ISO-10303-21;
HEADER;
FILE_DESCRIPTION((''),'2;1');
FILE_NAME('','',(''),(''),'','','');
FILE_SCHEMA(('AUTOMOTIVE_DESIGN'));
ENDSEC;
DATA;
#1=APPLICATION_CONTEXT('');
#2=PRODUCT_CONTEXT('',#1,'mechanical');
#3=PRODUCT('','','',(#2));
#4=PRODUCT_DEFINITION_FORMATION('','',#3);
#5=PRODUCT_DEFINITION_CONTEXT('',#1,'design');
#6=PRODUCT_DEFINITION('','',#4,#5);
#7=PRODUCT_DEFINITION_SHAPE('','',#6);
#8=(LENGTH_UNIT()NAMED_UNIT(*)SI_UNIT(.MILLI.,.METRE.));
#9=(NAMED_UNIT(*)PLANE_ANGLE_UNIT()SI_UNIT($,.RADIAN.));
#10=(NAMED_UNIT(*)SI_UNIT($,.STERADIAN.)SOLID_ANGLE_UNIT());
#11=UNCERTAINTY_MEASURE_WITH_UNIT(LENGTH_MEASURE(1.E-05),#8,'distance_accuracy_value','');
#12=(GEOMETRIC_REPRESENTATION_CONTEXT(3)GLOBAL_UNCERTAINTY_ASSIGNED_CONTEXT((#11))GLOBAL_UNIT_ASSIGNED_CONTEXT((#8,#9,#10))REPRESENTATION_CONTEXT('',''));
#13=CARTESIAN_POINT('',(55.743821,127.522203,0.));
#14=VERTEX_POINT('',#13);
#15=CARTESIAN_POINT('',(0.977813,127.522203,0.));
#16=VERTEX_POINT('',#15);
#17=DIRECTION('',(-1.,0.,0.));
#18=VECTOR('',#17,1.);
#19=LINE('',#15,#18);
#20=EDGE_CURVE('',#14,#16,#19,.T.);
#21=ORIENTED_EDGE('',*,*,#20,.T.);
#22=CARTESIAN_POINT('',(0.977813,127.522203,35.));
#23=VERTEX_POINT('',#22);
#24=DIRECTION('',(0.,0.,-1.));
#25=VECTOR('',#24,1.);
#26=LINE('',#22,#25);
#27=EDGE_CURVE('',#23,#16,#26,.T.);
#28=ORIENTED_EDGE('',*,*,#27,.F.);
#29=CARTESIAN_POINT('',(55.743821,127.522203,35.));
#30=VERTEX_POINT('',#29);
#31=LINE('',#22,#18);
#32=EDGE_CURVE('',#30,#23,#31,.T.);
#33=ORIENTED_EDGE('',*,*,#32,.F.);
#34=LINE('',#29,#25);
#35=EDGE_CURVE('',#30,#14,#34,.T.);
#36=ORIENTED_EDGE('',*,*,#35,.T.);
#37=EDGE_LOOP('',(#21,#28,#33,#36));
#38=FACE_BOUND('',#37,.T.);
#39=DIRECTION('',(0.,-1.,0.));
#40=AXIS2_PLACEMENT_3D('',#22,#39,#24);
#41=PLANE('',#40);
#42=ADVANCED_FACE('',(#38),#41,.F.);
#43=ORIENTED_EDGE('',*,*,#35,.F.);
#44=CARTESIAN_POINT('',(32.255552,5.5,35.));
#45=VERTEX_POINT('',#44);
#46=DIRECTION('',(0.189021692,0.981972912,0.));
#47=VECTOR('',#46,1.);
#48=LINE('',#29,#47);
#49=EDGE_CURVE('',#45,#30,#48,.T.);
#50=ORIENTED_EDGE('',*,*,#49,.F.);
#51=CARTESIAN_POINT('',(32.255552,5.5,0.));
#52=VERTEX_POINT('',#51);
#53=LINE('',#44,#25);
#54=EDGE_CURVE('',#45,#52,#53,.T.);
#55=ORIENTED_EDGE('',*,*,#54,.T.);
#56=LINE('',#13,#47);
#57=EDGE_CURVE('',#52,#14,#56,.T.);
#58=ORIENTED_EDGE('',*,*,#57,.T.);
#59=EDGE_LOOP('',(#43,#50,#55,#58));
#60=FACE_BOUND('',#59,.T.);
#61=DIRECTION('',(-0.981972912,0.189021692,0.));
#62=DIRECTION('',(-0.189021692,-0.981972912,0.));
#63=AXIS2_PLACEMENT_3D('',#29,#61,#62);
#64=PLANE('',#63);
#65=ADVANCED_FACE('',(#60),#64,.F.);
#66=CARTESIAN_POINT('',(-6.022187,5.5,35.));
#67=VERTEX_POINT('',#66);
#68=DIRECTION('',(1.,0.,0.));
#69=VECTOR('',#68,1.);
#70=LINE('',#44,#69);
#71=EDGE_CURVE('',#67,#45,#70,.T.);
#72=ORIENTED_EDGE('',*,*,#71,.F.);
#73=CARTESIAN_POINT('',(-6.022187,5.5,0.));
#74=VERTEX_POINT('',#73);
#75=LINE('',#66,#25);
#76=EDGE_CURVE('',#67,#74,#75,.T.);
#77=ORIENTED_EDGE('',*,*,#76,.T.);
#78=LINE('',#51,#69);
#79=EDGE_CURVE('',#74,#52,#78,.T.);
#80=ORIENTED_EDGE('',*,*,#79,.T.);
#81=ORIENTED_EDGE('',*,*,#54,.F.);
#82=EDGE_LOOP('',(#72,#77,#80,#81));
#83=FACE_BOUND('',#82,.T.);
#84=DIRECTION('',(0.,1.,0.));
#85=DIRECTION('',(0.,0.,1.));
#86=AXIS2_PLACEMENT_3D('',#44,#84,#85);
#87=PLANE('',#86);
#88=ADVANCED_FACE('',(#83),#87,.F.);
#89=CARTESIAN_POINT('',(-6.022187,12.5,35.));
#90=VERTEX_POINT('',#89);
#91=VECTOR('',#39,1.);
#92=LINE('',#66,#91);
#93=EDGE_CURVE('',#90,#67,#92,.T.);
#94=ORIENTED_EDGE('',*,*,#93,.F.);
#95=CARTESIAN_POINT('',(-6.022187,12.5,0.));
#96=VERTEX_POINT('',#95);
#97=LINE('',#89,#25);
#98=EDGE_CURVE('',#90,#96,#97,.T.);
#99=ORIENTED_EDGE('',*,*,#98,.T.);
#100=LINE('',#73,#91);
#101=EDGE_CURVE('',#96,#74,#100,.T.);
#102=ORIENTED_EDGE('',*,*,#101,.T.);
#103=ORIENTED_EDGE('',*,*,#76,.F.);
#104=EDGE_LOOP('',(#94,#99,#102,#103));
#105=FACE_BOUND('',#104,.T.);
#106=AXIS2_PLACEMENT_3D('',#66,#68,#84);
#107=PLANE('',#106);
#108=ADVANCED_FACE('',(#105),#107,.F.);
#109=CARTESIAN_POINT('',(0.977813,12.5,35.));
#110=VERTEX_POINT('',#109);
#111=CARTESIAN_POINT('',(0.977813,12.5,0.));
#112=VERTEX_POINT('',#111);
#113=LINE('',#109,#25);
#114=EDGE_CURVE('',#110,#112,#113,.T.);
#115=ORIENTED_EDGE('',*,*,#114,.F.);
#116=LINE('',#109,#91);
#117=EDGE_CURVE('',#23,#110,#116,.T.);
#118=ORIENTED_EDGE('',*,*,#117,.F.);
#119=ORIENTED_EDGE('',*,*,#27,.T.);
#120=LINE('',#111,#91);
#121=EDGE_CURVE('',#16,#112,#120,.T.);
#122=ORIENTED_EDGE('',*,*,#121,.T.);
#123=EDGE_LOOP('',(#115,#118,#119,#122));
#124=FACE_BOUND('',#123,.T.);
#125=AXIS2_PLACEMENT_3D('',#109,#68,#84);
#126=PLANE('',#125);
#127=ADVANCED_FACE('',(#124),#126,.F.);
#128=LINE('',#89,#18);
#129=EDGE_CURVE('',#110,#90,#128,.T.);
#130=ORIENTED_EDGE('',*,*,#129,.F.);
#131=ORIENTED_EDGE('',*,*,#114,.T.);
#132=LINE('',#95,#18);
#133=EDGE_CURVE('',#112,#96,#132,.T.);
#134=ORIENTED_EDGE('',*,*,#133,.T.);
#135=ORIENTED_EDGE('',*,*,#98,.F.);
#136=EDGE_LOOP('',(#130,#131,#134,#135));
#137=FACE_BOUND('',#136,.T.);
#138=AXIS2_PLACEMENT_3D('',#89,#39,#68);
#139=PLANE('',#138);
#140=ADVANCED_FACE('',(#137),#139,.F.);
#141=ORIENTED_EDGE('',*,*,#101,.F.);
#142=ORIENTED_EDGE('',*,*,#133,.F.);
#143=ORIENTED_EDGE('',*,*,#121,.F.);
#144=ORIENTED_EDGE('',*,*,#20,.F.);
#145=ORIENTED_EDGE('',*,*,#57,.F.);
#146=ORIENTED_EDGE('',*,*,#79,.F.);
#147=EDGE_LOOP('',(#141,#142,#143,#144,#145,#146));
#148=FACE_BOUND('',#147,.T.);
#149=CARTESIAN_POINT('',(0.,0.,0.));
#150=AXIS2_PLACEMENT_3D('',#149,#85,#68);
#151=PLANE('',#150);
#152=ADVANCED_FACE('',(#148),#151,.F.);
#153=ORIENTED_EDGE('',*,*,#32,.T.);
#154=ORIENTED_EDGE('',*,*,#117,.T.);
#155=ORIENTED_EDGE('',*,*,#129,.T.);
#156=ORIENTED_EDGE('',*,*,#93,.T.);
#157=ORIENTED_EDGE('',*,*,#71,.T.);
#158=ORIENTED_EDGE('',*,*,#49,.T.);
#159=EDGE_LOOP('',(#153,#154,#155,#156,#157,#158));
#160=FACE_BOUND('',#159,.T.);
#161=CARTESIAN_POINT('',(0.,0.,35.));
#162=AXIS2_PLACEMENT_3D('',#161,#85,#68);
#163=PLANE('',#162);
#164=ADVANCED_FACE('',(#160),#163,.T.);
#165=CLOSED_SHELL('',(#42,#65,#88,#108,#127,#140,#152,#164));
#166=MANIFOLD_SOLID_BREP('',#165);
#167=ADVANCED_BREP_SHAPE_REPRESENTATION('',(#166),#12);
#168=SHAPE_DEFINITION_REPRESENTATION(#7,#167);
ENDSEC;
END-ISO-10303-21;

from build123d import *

# Parameters (mm, degrees)
BOSS_EXTRUDE1_DEPTH = 35


with BuildPart() as part:
    # Sketch1 → Boss-Extrude1 (new body)
    with BuildSketch(Plane.XY):
        Polygon((-6.022186833, 12.5), (0.977813167, 12.5), (0.977813167, 127.522203292), (55.743820575, 127.522203292), (32.255552115, 5.5), (-6.022186833, 5.5), align=None)
    extrude(amount=BOSS_EXTRUDE1_DEPTH)


solid = part.part
